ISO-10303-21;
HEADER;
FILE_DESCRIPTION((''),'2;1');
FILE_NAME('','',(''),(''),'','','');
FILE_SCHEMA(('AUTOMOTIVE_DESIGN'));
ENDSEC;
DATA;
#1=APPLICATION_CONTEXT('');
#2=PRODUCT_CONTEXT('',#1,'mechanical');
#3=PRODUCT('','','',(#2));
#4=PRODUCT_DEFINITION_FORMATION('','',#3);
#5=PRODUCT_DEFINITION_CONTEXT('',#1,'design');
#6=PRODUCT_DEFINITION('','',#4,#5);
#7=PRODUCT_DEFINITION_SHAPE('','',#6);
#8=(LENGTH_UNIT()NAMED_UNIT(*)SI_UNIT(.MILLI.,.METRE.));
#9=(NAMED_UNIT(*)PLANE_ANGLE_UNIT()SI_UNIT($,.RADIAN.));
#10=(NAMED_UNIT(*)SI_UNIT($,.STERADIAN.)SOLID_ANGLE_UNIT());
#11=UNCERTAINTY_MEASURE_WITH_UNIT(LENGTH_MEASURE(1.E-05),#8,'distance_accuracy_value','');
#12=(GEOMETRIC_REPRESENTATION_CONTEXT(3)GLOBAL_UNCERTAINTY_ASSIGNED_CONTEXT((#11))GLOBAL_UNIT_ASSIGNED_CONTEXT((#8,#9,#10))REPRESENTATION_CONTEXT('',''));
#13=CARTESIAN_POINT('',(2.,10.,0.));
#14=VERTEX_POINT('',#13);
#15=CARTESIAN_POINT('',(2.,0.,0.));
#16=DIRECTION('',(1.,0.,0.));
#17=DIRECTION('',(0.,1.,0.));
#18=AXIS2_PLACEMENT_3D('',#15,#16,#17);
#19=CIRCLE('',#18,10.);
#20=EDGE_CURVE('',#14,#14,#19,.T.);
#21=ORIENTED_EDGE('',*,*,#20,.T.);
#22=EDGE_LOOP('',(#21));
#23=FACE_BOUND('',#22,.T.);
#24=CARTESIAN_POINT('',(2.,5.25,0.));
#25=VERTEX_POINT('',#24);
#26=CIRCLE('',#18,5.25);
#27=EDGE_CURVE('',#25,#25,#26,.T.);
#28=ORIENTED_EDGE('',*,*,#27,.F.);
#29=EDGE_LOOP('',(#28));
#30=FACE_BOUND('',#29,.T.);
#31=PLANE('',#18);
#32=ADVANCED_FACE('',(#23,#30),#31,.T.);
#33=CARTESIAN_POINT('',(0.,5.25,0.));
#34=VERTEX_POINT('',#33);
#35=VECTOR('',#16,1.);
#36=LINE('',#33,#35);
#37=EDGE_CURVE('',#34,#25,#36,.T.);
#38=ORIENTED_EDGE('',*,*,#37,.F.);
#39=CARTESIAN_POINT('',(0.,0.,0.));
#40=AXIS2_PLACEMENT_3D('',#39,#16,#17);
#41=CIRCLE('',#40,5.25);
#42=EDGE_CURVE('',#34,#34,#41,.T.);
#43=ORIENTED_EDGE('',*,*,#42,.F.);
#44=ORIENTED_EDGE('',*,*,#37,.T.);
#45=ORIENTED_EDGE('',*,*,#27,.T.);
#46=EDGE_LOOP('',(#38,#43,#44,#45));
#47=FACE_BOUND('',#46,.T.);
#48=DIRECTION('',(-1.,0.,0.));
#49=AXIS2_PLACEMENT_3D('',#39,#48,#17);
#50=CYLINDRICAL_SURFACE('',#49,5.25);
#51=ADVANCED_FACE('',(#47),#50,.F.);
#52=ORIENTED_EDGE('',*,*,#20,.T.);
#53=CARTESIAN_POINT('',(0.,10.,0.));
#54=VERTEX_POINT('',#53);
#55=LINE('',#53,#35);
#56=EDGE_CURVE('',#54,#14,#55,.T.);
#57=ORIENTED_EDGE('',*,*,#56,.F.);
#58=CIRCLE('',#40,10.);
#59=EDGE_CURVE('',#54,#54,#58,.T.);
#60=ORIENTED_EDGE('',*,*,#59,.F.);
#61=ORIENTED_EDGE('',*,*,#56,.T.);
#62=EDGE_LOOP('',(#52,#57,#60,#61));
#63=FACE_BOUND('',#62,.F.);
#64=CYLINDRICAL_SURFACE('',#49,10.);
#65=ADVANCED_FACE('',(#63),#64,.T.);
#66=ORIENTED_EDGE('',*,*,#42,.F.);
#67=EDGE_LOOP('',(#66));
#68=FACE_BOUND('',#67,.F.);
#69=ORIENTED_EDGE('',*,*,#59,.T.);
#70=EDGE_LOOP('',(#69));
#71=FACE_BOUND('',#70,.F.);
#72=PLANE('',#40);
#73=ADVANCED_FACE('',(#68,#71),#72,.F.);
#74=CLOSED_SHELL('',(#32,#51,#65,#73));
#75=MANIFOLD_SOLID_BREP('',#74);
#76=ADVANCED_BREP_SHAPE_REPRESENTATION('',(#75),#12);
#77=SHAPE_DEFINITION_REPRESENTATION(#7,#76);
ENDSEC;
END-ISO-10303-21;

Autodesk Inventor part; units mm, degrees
ref_plane "YZ Plane" through (0, 0, 0) normal (1, 0, 0) x (0, 1, 0)
ref_plane "XZ Plane" through (0, 0, 0) normal (0, 1, 0) x (-1, 0, 0)
sketch "Sketch" plane through (0, 0, 0) normal (1, 0, 0) x (0, 1, 0)
  circle A0 centre (0, 0) radius 10
  circle A1 centre (0, 0) radius 5.25
  dimension "d0" = 10.5
  dimension "d1" = 20
extrude "Body" add sketch "Sketch" along normal blind 2
ref_plane "Work Plane1" through (0, 0, 0) normal (0, 0, 1) x (1, 0, 0)
equation "\"d0\" = SD1"
equation "\"d1\" = SD2"
equation "\"d2\" = SD"
equation "\"SD1\" = 10.5"
equation "\"SD2\" = 20"
equation "\"SD\" = 2"
properties part number "M10 W A2" material "Stainless Steel AISI 304"
